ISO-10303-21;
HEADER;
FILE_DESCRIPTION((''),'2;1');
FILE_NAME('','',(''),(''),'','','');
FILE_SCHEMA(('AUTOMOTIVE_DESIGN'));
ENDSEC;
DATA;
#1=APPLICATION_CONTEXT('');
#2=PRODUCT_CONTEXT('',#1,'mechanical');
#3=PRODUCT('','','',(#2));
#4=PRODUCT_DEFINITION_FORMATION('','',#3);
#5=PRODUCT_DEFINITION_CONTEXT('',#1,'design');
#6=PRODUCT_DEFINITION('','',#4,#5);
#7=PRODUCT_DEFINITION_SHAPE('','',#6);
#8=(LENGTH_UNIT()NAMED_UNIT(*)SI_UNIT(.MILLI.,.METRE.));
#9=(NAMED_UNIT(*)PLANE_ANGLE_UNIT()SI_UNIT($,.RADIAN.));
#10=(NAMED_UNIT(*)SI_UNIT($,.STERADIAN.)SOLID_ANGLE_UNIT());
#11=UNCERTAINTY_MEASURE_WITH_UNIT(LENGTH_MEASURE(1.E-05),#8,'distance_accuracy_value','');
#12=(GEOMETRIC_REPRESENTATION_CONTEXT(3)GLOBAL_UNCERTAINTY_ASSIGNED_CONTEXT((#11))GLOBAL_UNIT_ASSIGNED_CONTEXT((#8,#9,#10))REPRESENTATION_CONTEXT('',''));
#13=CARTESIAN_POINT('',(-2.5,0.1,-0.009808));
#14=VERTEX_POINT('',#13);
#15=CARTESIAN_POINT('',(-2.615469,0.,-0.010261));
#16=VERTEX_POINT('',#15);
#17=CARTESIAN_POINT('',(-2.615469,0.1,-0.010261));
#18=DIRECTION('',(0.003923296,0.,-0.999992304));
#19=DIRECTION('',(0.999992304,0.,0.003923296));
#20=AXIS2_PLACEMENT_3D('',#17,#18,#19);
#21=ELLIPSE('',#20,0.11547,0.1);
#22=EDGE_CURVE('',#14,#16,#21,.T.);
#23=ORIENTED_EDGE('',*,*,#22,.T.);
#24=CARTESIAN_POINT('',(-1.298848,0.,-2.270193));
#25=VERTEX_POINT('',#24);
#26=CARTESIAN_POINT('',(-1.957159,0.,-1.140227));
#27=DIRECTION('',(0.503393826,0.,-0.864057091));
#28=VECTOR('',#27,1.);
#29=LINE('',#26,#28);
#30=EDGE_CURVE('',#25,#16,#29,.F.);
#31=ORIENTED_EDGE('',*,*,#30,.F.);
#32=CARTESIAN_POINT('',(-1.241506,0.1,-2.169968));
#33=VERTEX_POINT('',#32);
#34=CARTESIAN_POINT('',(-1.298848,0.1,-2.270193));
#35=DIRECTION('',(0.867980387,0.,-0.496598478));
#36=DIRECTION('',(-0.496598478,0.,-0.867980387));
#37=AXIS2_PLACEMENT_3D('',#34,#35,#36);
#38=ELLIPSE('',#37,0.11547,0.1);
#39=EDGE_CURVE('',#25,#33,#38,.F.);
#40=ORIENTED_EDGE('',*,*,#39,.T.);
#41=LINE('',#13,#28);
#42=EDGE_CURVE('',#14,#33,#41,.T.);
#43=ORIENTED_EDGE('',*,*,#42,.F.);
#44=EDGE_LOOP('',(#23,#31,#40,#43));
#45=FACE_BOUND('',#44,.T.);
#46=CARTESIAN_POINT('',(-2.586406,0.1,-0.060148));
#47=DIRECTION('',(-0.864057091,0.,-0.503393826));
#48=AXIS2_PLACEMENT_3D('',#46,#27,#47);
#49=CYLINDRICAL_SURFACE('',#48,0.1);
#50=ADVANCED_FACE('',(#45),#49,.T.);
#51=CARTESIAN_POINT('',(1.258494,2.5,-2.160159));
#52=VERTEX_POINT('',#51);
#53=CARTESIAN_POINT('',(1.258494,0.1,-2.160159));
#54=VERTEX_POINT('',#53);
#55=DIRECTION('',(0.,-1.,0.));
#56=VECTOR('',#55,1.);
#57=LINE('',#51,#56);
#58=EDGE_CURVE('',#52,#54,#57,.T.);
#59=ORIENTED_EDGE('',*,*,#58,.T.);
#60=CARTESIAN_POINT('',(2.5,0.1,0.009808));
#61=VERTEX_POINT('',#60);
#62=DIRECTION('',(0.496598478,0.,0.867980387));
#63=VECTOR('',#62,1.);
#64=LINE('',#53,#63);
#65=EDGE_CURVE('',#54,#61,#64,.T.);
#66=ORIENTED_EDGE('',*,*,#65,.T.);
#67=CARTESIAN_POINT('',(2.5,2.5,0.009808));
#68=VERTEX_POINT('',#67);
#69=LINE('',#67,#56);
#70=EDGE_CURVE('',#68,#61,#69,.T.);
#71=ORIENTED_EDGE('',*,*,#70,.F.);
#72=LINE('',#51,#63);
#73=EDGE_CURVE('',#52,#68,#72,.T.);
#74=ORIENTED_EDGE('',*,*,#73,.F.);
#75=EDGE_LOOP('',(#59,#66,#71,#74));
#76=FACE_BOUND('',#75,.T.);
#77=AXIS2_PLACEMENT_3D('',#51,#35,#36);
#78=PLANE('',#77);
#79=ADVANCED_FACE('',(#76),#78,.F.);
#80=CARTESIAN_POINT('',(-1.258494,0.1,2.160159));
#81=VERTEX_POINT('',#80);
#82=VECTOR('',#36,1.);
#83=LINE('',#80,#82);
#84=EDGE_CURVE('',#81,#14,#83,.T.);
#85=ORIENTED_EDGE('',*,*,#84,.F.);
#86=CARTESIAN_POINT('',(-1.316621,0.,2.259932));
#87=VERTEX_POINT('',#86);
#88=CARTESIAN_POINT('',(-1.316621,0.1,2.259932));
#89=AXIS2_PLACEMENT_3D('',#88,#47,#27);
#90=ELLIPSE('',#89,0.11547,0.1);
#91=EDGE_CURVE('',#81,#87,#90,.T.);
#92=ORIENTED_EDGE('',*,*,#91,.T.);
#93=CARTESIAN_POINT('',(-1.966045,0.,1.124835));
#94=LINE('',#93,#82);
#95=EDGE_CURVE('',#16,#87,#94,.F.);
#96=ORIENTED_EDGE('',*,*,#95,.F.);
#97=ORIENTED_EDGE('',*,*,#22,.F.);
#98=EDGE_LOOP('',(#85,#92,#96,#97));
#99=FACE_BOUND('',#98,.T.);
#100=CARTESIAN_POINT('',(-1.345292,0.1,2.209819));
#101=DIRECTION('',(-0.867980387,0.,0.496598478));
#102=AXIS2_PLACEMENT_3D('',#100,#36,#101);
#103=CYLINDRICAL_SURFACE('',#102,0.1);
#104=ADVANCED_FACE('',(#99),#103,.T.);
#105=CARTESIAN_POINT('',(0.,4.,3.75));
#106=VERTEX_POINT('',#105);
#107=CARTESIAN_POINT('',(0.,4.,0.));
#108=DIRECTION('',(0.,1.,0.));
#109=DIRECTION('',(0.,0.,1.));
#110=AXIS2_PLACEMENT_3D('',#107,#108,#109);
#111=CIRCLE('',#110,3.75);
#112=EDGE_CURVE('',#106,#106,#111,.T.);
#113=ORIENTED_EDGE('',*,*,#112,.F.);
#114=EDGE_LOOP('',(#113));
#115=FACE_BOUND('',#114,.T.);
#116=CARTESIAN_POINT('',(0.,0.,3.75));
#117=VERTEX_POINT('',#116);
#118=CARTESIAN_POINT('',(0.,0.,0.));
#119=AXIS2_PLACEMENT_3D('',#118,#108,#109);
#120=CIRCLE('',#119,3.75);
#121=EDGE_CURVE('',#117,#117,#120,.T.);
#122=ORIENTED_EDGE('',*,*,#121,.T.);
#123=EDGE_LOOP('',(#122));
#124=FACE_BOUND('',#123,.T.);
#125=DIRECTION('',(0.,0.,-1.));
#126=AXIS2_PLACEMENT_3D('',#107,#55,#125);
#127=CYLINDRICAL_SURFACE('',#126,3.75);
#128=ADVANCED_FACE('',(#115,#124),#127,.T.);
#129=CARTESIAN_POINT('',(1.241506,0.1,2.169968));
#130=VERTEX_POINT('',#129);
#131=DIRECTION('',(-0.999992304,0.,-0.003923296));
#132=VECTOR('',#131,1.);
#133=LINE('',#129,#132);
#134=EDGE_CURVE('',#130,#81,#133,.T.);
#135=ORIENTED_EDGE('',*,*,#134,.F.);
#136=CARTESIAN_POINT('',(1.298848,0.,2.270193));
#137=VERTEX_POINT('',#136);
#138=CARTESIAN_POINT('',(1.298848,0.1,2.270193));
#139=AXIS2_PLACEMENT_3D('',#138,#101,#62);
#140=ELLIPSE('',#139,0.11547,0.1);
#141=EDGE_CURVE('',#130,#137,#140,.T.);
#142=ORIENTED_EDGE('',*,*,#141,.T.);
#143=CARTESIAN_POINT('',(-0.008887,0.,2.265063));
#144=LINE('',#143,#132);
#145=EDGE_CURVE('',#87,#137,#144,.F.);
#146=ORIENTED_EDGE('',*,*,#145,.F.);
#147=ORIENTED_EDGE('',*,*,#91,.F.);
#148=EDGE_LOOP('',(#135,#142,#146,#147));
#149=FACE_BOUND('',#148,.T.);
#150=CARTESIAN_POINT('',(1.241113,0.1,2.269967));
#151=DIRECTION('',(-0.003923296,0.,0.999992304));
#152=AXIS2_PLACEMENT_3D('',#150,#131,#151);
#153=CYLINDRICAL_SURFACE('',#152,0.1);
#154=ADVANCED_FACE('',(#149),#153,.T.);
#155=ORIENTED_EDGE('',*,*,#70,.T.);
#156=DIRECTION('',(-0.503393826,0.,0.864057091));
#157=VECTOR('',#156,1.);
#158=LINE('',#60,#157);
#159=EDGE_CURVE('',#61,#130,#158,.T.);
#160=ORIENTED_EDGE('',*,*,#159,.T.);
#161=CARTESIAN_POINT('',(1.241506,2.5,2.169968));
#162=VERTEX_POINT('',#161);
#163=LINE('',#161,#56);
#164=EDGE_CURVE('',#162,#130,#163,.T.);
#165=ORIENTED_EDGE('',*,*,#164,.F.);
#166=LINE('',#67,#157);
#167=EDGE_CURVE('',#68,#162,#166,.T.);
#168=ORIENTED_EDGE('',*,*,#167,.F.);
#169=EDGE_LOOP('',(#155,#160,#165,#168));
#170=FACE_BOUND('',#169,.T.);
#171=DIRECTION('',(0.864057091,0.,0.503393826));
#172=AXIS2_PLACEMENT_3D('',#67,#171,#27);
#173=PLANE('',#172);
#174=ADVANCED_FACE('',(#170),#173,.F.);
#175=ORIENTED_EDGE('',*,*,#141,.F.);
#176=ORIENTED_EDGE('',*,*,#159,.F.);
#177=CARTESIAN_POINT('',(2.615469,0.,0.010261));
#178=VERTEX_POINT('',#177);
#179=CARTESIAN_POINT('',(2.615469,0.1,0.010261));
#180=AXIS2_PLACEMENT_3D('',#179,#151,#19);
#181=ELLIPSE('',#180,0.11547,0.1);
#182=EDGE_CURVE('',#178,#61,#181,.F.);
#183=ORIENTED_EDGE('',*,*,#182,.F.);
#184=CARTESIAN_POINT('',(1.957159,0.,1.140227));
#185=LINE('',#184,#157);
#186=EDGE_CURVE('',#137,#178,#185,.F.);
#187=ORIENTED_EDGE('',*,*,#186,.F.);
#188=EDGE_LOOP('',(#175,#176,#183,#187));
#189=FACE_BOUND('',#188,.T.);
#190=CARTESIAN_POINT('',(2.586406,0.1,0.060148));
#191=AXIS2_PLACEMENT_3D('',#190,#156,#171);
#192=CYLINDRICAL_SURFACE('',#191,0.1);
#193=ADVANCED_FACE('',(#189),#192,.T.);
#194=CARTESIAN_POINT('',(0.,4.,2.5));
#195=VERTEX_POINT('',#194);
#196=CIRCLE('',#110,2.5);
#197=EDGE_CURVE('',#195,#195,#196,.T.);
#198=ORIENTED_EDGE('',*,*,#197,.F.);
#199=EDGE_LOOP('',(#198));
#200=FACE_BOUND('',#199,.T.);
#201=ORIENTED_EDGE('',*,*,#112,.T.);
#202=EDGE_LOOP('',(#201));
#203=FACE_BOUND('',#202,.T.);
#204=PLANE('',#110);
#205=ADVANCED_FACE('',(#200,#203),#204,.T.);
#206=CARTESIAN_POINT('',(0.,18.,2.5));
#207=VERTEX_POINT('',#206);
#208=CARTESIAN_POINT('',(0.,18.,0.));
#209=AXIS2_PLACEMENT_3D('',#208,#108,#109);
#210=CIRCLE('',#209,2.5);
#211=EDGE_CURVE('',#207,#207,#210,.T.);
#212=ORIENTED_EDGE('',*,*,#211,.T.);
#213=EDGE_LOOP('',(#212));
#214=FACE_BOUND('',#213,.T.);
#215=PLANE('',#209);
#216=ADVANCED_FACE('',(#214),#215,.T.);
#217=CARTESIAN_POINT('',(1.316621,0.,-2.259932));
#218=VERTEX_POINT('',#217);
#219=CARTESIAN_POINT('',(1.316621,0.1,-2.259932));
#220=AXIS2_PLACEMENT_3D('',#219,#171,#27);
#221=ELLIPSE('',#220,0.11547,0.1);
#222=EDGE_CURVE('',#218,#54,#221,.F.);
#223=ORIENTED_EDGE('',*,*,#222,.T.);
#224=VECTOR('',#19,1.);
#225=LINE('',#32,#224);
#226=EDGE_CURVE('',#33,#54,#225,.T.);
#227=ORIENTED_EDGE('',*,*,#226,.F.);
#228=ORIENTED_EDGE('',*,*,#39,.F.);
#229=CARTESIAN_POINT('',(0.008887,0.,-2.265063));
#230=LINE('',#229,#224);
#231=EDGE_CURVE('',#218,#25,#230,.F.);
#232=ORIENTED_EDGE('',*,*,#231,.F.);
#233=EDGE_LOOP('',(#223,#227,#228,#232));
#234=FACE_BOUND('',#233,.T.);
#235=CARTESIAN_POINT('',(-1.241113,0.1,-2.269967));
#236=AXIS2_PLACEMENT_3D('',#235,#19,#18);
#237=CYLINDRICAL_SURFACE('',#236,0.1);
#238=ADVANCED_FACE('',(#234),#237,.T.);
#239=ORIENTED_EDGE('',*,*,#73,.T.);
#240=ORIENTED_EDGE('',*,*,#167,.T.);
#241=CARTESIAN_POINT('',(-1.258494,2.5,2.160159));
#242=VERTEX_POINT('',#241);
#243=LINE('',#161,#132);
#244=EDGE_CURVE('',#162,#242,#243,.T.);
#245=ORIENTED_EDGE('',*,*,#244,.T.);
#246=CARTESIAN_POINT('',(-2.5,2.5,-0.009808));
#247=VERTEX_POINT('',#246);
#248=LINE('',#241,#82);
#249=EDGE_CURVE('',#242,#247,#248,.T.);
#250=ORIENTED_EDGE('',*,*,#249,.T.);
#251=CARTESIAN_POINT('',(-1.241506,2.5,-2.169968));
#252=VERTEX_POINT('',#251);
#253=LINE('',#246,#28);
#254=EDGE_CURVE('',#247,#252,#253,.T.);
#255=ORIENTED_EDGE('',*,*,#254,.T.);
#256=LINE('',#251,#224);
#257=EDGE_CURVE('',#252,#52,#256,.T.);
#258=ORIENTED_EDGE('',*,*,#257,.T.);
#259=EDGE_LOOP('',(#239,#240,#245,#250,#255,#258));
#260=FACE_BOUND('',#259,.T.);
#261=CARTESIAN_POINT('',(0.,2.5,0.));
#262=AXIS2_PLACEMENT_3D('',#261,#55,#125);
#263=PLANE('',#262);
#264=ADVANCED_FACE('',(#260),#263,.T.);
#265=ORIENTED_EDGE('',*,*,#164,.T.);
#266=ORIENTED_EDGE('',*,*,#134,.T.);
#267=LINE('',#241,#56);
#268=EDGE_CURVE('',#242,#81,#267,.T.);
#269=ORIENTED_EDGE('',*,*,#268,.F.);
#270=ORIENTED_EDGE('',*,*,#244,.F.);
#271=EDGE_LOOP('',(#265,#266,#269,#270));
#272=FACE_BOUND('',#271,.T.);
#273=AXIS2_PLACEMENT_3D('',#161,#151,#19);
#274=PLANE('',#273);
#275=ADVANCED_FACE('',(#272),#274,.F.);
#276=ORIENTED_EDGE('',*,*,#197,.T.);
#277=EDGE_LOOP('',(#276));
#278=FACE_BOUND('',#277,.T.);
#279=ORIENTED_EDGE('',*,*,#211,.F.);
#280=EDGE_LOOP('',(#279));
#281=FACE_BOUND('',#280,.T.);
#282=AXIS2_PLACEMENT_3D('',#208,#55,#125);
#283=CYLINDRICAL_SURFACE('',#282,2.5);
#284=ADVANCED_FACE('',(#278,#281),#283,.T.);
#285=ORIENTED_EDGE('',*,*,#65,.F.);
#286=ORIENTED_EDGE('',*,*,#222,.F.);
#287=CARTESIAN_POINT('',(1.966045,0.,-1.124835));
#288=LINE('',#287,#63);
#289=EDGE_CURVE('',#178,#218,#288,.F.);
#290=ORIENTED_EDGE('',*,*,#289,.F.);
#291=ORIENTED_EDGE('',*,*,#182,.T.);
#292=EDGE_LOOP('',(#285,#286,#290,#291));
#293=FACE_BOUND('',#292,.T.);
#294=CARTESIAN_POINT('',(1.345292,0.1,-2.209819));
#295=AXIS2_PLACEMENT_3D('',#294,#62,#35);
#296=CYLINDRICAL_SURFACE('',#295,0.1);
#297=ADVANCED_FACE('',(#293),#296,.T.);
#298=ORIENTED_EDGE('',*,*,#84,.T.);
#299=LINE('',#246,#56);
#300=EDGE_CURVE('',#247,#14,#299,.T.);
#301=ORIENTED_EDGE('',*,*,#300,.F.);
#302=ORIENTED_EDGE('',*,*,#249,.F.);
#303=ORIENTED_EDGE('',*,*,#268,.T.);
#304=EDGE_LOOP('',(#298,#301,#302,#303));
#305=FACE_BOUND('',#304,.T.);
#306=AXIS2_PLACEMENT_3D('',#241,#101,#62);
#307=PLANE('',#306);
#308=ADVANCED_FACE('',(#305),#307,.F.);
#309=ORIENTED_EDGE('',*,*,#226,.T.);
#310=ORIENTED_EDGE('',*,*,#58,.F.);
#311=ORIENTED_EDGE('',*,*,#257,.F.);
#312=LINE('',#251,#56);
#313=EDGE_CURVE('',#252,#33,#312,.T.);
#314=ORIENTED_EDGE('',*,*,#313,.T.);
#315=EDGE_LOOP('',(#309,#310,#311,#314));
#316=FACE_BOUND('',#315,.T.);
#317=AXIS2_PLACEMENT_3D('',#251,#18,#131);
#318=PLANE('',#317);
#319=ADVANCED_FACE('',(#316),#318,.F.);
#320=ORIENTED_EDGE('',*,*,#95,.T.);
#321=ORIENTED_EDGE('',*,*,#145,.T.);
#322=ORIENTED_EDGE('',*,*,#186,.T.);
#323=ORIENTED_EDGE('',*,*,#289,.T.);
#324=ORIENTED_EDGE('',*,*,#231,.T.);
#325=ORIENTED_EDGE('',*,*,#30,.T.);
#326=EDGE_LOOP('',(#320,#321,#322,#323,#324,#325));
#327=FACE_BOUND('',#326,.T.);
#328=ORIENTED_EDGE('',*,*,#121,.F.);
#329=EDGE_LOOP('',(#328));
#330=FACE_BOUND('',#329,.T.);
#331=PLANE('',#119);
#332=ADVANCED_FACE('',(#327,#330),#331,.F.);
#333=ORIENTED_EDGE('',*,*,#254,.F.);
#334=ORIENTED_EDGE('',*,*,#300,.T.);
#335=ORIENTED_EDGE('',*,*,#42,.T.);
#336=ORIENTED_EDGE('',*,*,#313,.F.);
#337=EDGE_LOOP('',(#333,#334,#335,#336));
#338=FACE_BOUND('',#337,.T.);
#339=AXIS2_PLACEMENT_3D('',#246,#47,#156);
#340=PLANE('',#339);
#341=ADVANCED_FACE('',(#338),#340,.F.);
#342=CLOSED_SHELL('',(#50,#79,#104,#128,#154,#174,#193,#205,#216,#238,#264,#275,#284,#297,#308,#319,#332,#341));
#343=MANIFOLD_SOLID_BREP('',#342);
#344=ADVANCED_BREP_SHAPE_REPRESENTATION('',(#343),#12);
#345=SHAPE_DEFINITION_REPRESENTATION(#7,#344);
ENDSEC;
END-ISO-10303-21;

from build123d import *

# Parameters (mm, degrees)
SKETCH_1_R          = 3.75
EXTRUDE_1_DEPTH     = 4
SKETCH_2_R          = 2.5
EXTRUDE_2_DEPTH     = 14
CUT_EXTRUDE_1_DEPTH = 2.5
FILLET_1_R          = 0.1


with BuildPart() as part:
    # 草图1 → 凸台-拉伸1 (new body)
    with BuildSketch(Plane(origin=(0, 0, 0), x_dir=(1, 0, 0), z_dir=(0, 1, 0))):
        with Locations(Location((0, 0, 0), (0, 0, 270))):
            Circle(SKETCH_1_R)
    extrude(amount=EXTRUDE_1_DEPTH)

    # 草图2 → 凸台-拉伸2 (add)
    with BuildSketch(Plane(origin=(0, 4, 0), x_dir=(1, 0, 0), z_dir=(0, 1, 0))):
        with Locations(Location((0, 0, 0), (0, 0, 270))):
            Circle(SKETCH_2_R)
    extrude(amount=EXTRUDE_2_DEPTH)

    # 草图3 → 切除-拉伸1 (cut)
    with BuildSketch(Plane.XZ):
        Polygon((1.241505751, 2.169967667), (-1.258494249, 2.160159352), (-2.5, -0.009808314), (-1.241505751, -2.169967667), (1.258494249, -2.160159352), (2.5, 0.009808314), align=None)
    extrude(amount=-CUT_EXTRUDE_1_DEPTH, mode=Mode.SUBTRACT)

    # 圆角1
    fillet_1_edges = [part.edges().sort_by_distance(p)[0] for p in [
        (1.870752875, 0, 1.089887991),
        (-0.008494249, 0, 2.165063509),
        (-1.879247125, 0, 1.075175519),
        (-1.870752875, 0, -1.089887991),
        (0.008494249, 0, -2.165063509),
        (1.879247125, 0, -1.075175519),
    ]]
    fillet(fillet_1_edges, radius=FILLET_1_R)


solid = part.part
